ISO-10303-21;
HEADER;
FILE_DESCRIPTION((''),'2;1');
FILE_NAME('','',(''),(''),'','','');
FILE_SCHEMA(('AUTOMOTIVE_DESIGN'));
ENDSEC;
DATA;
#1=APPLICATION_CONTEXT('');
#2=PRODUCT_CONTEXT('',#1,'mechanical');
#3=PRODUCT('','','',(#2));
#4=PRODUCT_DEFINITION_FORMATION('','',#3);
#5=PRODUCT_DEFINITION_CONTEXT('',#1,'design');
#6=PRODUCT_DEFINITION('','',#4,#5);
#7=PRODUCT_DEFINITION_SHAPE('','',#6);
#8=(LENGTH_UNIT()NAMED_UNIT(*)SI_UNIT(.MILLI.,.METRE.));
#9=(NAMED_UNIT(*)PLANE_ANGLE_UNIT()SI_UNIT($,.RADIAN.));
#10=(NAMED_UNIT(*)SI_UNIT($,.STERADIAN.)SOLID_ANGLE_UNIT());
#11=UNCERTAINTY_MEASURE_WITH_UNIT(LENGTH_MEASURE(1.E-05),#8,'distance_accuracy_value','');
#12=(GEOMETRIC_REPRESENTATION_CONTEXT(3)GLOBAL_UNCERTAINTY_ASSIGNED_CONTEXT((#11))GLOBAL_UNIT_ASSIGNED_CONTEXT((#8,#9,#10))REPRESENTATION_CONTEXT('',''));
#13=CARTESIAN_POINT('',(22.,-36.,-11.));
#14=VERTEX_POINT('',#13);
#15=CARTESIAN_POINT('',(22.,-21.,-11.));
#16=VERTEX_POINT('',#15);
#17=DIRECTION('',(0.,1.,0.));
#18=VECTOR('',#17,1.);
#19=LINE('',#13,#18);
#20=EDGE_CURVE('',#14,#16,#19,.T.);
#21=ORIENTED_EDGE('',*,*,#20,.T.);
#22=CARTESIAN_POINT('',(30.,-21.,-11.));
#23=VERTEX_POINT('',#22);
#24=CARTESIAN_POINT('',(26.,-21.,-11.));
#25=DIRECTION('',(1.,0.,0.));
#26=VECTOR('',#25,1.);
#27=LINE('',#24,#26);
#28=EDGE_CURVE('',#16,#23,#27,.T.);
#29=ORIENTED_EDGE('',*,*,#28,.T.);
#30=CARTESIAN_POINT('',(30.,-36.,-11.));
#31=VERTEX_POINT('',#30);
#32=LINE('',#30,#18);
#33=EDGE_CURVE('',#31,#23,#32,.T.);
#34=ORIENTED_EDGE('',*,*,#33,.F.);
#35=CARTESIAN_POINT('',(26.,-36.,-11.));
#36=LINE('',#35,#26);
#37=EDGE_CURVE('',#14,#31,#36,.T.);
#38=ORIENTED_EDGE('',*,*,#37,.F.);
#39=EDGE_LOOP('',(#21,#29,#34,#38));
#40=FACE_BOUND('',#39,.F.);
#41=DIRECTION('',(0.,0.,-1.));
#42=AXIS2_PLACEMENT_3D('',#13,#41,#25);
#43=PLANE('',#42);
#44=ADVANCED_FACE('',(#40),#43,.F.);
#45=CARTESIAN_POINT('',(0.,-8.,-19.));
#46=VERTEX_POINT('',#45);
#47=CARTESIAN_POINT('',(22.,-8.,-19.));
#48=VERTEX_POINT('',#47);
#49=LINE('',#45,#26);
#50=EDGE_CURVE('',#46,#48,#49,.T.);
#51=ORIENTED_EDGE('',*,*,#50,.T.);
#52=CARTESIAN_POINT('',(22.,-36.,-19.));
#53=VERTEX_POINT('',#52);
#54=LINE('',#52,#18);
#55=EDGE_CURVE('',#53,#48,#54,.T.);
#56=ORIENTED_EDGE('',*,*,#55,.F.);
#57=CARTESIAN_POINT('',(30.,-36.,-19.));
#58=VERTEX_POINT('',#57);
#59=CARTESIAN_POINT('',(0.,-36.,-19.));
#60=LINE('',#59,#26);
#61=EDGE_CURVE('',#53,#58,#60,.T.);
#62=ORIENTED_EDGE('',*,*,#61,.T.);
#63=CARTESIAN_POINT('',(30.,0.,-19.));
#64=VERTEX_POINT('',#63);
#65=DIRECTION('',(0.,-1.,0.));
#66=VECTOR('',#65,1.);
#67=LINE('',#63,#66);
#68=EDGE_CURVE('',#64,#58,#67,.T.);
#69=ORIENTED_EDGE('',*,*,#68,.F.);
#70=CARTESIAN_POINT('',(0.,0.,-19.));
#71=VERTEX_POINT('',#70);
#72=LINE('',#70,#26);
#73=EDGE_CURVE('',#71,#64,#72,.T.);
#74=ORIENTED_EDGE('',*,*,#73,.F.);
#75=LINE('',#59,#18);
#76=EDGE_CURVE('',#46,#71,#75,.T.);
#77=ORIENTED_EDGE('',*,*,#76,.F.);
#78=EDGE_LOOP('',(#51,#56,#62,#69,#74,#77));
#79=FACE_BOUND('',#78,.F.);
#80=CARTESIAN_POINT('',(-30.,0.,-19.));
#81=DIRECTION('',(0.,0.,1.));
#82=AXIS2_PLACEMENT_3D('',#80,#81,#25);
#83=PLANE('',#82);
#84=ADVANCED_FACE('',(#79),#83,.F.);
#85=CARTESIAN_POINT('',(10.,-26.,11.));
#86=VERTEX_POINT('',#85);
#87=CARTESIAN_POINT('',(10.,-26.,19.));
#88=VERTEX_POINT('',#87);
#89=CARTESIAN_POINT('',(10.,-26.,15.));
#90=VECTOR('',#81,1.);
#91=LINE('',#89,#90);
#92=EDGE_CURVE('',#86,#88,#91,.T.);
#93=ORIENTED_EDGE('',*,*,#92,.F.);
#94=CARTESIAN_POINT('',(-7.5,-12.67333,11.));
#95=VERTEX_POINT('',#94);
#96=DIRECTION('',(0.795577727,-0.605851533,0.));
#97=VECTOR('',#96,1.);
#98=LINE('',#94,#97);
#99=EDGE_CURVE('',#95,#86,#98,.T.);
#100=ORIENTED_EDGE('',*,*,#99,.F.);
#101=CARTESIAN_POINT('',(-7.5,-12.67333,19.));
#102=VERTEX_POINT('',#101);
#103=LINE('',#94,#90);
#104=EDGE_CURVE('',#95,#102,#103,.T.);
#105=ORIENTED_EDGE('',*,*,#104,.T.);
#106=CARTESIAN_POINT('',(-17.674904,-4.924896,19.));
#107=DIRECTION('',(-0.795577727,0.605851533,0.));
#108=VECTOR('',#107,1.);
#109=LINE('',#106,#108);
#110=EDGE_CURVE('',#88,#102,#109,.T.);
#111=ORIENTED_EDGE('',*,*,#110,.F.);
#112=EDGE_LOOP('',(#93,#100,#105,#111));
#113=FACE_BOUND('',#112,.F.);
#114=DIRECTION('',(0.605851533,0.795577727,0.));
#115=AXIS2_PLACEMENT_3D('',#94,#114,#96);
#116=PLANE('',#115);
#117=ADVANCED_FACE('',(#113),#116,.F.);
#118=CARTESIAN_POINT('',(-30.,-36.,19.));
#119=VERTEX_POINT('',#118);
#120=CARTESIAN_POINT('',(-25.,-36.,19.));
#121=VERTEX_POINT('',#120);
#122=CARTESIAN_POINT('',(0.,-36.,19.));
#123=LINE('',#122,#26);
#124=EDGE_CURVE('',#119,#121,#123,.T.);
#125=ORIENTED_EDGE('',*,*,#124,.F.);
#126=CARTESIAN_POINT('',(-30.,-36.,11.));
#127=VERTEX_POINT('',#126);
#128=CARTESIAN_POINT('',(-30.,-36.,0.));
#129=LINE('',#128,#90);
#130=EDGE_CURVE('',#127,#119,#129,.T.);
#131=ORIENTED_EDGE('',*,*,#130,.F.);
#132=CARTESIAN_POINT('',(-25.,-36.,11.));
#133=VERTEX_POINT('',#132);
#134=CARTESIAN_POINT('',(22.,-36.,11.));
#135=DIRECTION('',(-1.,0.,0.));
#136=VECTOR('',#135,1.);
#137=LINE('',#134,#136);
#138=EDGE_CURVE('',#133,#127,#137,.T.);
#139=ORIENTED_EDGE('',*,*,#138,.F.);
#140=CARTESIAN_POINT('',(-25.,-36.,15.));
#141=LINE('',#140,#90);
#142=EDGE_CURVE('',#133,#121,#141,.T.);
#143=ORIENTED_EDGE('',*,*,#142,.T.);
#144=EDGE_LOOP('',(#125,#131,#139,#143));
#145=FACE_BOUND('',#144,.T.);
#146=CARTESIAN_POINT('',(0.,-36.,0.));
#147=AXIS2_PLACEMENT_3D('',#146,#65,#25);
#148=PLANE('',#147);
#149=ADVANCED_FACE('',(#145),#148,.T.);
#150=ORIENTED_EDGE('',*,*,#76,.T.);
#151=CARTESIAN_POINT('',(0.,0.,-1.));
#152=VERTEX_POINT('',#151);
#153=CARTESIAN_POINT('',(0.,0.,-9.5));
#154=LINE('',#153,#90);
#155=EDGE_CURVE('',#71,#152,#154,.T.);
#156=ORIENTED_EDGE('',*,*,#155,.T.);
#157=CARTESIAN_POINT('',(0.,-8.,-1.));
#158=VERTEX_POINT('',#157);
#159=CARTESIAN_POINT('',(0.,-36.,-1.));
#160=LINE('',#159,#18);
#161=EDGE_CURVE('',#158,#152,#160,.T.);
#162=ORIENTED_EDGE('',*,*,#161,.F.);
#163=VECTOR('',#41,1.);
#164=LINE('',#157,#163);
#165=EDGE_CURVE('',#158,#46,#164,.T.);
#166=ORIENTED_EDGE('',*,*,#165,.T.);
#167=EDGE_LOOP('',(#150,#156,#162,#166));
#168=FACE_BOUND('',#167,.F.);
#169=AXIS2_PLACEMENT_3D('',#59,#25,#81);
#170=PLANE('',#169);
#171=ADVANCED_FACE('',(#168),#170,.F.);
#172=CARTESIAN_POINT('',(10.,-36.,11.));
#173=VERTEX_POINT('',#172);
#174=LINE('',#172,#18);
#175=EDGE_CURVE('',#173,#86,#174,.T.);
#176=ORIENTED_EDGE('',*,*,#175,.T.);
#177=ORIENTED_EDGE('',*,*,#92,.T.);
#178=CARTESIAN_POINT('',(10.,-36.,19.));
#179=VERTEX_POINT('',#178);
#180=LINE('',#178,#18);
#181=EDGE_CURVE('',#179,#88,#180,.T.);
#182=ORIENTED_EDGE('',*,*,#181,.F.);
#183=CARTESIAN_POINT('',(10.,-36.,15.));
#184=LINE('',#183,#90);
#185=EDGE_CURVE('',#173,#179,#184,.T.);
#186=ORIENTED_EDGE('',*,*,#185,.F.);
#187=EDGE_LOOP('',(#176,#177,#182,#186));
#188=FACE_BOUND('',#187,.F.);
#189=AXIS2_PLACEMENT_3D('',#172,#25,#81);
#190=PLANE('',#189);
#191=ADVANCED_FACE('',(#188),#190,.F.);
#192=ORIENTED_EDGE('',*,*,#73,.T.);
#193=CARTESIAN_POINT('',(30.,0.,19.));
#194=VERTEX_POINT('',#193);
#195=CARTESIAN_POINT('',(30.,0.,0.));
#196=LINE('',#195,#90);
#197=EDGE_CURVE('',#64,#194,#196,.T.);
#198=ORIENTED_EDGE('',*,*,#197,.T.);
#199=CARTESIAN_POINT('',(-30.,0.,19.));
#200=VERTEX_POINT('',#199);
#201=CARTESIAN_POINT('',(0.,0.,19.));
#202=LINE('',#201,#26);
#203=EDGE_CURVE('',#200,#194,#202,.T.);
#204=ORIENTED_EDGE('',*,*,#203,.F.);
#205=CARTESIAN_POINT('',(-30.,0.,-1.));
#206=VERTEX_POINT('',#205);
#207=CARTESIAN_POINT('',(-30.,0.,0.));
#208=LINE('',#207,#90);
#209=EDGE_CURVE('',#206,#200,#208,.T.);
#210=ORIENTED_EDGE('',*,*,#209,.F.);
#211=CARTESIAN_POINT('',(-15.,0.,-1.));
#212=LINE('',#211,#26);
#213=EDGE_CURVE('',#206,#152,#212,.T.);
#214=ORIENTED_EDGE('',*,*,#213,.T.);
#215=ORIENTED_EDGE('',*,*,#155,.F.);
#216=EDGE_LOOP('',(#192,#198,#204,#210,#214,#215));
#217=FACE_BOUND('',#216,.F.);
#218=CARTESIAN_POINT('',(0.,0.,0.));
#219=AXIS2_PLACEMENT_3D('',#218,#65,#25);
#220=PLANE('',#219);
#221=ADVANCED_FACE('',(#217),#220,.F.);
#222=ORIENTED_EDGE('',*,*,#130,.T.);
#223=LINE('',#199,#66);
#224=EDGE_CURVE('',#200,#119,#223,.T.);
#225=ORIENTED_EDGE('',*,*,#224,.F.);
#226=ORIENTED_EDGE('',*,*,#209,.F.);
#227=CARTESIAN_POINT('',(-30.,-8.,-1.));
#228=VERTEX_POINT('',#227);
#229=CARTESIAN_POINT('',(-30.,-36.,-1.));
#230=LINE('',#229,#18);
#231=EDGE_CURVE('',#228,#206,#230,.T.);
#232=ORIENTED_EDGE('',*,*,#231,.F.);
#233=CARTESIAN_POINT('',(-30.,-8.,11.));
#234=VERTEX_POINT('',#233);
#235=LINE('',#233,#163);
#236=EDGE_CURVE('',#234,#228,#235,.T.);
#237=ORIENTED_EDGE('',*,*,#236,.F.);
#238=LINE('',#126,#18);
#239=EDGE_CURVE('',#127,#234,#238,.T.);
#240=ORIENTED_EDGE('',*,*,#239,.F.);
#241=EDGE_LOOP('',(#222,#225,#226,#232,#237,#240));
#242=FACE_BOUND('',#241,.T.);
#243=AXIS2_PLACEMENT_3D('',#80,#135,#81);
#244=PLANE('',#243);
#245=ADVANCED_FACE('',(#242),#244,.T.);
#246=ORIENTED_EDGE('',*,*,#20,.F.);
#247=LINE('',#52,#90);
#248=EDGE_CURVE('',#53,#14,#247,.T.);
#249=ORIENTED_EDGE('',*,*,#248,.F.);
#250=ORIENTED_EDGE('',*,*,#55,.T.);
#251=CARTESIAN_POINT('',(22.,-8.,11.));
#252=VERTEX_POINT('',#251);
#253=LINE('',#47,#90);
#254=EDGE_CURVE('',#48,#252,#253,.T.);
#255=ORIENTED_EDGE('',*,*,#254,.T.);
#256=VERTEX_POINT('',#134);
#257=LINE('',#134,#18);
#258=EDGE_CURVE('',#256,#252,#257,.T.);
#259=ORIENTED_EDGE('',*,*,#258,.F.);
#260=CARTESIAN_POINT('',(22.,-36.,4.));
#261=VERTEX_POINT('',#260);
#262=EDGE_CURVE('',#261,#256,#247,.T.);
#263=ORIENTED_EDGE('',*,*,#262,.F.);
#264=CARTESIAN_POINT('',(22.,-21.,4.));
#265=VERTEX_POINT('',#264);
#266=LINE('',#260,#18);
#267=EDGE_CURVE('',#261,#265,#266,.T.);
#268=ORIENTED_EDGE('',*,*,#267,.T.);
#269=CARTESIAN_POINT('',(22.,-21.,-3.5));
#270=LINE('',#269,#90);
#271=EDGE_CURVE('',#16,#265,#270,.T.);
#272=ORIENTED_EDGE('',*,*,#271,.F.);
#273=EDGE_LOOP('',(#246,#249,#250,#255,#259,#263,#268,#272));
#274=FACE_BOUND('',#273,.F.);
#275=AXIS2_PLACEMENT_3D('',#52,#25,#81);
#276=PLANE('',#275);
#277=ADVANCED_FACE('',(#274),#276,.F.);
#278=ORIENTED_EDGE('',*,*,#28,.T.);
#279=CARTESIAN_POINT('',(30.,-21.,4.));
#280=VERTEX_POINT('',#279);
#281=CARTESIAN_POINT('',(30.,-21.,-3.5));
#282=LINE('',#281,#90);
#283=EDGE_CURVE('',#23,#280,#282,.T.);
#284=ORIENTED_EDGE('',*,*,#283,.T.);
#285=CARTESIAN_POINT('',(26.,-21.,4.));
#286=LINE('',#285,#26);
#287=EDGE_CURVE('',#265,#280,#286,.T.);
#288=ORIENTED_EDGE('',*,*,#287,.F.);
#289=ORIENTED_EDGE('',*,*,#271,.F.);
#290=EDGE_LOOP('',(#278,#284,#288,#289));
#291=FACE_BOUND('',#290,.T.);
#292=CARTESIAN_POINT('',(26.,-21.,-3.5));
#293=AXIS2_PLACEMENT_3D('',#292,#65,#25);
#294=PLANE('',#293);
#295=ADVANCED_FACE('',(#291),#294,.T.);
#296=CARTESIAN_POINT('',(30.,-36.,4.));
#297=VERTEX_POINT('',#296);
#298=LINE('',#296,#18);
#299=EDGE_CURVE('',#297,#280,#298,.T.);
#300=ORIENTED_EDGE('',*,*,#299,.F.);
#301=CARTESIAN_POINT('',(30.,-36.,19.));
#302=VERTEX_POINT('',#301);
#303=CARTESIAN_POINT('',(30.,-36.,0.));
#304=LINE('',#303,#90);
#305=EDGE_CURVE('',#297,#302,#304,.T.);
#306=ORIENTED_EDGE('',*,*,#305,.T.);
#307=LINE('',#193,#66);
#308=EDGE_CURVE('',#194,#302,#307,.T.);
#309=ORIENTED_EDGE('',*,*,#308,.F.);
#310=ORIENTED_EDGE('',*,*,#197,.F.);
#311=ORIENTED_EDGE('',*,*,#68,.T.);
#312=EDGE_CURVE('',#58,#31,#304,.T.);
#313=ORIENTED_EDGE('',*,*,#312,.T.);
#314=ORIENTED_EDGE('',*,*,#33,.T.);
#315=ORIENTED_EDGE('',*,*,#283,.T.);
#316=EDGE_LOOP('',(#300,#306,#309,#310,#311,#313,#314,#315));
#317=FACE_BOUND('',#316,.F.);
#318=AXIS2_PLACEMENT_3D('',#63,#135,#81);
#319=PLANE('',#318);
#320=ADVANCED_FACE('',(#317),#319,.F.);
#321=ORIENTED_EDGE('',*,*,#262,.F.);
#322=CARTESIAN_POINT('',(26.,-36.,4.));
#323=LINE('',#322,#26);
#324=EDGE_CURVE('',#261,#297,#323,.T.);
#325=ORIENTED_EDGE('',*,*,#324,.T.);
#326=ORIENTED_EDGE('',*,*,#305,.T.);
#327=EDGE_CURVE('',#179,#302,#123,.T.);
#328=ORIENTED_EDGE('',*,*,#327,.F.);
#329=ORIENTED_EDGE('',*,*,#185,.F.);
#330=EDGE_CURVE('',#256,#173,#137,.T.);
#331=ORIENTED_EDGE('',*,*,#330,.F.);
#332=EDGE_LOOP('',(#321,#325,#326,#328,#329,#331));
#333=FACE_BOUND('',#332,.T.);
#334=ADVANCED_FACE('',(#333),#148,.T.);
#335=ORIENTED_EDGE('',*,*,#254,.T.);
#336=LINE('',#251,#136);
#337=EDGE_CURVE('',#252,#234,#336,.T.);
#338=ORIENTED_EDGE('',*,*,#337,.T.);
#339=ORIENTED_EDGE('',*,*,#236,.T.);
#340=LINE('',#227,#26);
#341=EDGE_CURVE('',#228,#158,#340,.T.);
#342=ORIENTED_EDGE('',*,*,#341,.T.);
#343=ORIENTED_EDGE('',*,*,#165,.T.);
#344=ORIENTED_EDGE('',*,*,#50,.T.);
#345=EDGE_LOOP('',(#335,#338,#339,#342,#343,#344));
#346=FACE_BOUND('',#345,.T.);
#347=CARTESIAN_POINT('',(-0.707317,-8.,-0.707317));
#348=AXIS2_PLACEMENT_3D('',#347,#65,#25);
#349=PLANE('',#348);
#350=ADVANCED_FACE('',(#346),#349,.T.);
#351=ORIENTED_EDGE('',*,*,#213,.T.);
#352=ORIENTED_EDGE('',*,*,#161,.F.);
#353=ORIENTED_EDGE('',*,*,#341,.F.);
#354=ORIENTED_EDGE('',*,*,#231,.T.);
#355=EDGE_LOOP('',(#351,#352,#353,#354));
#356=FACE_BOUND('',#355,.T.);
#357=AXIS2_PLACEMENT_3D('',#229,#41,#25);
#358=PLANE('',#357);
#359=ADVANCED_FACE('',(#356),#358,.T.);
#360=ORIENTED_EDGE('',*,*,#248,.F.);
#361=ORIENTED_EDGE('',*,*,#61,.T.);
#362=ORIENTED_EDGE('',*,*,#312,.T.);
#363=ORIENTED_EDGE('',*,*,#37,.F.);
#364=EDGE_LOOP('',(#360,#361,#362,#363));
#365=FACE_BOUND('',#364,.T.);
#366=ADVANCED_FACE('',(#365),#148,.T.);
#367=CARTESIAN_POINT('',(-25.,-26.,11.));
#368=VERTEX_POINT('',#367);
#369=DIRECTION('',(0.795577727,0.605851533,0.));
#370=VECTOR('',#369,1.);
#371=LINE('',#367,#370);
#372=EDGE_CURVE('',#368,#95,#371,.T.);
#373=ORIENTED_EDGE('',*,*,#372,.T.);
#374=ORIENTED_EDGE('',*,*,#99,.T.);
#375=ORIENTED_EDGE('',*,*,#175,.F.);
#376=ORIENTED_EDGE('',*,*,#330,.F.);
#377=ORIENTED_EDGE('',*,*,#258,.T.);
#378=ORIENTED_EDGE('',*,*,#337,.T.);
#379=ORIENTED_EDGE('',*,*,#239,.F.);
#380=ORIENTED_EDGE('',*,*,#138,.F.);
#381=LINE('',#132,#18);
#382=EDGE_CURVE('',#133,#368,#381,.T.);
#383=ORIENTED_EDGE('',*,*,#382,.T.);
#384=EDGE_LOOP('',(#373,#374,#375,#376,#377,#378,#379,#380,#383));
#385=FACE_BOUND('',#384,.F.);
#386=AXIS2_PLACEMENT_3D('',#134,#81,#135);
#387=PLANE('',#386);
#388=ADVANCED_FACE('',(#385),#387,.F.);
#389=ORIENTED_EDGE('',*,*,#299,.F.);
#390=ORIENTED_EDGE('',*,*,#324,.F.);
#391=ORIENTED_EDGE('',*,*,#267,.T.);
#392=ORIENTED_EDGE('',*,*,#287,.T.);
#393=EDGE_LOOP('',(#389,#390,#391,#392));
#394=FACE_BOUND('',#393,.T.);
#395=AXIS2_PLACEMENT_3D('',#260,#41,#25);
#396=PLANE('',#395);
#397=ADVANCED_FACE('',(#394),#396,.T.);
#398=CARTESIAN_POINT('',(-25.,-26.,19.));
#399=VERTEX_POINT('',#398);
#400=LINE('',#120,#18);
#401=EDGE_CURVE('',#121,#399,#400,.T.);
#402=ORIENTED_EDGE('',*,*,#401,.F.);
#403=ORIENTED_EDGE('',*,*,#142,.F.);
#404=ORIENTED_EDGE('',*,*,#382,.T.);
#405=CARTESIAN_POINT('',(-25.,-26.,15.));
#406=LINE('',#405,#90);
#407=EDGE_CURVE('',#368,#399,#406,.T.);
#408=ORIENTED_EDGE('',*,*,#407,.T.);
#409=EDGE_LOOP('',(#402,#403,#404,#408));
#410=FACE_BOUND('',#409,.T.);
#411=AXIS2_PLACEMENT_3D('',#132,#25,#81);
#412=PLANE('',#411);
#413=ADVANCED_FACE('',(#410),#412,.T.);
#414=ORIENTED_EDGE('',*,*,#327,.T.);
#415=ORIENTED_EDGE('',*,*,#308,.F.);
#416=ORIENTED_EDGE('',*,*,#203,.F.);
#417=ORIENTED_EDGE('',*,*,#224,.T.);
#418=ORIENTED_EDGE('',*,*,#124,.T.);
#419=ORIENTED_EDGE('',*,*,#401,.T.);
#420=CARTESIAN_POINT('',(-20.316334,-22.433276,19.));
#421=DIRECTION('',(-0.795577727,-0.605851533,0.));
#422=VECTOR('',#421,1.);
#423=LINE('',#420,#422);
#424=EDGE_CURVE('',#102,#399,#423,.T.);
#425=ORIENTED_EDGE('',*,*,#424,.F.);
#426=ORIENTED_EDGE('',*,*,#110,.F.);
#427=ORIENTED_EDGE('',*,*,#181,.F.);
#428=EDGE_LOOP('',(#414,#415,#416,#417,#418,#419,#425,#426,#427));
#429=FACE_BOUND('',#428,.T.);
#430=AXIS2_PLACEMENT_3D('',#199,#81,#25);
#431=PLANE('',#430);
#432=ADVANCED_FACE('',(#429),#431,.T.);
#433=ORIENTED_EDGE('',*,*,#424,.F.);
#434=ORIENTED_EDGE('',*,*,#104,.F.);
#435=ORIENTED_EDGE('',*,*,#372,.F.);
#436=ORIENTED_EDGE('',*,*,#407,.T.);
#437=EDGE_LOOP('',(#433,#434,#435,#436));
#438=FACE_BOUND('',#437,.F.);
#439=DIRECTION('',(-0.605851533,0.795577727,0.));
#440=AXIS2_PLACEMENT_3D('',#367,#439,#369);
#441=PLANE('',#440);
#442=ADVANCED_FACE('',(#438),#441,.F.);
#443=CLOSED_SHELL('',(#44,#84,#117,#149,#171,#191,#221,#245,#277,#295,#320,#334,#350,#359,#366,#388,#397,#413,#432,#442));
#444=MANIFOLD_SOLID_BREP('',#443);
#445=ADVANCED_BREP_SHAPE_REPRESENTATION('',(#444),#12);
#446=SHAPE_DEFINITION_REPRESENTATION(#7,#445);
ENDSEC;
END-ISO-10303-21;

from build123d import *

# Parameters (mm, degrees)
F0_W     = 60
F0_H     = 38
F1_DEPTH = 36
F2_W     = 8
F2_H     = 15
F3_DEPTH = 15
F4_DEPTH = 28
F2_W_2   = 30
F2_H_2   = 18
F5_DEPTH = 36.001
F2_W_3   = 35
F2_H_3   = 8
F6_DEPTH = 10
F8_DEPTH = 8.001


with BuildPart() as f1:
    # F0 (on Front) → F1 (new body)
    with BuildSketch(Plane.XZ):
        Rectangle(F0_W, F0_H)
    extrude(amount=F1_DEPTH)

    # F2 (on face) → F3 (cut)
    with BuildSketch(Plane.XZ.offset(36)):
        with Locations((26, -3.5)):
            Rectangle(F2_W, F2_H)
    extrude(amount=-F3_DEPTH, mode=Mode.SUBTRACT)

    # F2 (on face) → F4 (cut)
    with BuildSketch(Plane.XZ.offset(36)):
        Polygon((0, -19), (22, -19), (22, -11), (22, 4), (22, 11), (10, 11), (-25, 11), (-30, 11), (-30, -1), (0, -1), align=None)
    extrude(amount=-F4_DEPTH, mode=Mode.SUBTRACT)

    # F2 (on face) → F5 (cut, through all)
    with BuildSketch(Plane.XZ.offset(36)):
        with Locations((-15, -10)):
            Rectangle(F2_W_2, F2_H_2)
    extrude(amount=-F5_DEPTH, mode=Mode.SUBTRACT)

    # F2 (on face) → F6 (cut)
    with BuildSketch(Plane.XZ.offset(36)):
        with Locations((-7.5, 15)):
            Rectangle(F2_W_3, F2_H_3)
    extrude(amount=-F6_DEPTH, mode=Mode.SUBTRACT)

    # F7 (on face) → F8 (cut, through all)
    with BuildSketch(Plane(origin=(0, 0, 11), x_dir=(1, 0, 0), z_dir=(0, 0, -1))):
        Polygon((-25, 26), (-7.5, 12.67333), (10, 26), align=None)
    extrude(amount=-F8_DEPTH, mode=Mode.SUBTRACT)


solid = f1.part
